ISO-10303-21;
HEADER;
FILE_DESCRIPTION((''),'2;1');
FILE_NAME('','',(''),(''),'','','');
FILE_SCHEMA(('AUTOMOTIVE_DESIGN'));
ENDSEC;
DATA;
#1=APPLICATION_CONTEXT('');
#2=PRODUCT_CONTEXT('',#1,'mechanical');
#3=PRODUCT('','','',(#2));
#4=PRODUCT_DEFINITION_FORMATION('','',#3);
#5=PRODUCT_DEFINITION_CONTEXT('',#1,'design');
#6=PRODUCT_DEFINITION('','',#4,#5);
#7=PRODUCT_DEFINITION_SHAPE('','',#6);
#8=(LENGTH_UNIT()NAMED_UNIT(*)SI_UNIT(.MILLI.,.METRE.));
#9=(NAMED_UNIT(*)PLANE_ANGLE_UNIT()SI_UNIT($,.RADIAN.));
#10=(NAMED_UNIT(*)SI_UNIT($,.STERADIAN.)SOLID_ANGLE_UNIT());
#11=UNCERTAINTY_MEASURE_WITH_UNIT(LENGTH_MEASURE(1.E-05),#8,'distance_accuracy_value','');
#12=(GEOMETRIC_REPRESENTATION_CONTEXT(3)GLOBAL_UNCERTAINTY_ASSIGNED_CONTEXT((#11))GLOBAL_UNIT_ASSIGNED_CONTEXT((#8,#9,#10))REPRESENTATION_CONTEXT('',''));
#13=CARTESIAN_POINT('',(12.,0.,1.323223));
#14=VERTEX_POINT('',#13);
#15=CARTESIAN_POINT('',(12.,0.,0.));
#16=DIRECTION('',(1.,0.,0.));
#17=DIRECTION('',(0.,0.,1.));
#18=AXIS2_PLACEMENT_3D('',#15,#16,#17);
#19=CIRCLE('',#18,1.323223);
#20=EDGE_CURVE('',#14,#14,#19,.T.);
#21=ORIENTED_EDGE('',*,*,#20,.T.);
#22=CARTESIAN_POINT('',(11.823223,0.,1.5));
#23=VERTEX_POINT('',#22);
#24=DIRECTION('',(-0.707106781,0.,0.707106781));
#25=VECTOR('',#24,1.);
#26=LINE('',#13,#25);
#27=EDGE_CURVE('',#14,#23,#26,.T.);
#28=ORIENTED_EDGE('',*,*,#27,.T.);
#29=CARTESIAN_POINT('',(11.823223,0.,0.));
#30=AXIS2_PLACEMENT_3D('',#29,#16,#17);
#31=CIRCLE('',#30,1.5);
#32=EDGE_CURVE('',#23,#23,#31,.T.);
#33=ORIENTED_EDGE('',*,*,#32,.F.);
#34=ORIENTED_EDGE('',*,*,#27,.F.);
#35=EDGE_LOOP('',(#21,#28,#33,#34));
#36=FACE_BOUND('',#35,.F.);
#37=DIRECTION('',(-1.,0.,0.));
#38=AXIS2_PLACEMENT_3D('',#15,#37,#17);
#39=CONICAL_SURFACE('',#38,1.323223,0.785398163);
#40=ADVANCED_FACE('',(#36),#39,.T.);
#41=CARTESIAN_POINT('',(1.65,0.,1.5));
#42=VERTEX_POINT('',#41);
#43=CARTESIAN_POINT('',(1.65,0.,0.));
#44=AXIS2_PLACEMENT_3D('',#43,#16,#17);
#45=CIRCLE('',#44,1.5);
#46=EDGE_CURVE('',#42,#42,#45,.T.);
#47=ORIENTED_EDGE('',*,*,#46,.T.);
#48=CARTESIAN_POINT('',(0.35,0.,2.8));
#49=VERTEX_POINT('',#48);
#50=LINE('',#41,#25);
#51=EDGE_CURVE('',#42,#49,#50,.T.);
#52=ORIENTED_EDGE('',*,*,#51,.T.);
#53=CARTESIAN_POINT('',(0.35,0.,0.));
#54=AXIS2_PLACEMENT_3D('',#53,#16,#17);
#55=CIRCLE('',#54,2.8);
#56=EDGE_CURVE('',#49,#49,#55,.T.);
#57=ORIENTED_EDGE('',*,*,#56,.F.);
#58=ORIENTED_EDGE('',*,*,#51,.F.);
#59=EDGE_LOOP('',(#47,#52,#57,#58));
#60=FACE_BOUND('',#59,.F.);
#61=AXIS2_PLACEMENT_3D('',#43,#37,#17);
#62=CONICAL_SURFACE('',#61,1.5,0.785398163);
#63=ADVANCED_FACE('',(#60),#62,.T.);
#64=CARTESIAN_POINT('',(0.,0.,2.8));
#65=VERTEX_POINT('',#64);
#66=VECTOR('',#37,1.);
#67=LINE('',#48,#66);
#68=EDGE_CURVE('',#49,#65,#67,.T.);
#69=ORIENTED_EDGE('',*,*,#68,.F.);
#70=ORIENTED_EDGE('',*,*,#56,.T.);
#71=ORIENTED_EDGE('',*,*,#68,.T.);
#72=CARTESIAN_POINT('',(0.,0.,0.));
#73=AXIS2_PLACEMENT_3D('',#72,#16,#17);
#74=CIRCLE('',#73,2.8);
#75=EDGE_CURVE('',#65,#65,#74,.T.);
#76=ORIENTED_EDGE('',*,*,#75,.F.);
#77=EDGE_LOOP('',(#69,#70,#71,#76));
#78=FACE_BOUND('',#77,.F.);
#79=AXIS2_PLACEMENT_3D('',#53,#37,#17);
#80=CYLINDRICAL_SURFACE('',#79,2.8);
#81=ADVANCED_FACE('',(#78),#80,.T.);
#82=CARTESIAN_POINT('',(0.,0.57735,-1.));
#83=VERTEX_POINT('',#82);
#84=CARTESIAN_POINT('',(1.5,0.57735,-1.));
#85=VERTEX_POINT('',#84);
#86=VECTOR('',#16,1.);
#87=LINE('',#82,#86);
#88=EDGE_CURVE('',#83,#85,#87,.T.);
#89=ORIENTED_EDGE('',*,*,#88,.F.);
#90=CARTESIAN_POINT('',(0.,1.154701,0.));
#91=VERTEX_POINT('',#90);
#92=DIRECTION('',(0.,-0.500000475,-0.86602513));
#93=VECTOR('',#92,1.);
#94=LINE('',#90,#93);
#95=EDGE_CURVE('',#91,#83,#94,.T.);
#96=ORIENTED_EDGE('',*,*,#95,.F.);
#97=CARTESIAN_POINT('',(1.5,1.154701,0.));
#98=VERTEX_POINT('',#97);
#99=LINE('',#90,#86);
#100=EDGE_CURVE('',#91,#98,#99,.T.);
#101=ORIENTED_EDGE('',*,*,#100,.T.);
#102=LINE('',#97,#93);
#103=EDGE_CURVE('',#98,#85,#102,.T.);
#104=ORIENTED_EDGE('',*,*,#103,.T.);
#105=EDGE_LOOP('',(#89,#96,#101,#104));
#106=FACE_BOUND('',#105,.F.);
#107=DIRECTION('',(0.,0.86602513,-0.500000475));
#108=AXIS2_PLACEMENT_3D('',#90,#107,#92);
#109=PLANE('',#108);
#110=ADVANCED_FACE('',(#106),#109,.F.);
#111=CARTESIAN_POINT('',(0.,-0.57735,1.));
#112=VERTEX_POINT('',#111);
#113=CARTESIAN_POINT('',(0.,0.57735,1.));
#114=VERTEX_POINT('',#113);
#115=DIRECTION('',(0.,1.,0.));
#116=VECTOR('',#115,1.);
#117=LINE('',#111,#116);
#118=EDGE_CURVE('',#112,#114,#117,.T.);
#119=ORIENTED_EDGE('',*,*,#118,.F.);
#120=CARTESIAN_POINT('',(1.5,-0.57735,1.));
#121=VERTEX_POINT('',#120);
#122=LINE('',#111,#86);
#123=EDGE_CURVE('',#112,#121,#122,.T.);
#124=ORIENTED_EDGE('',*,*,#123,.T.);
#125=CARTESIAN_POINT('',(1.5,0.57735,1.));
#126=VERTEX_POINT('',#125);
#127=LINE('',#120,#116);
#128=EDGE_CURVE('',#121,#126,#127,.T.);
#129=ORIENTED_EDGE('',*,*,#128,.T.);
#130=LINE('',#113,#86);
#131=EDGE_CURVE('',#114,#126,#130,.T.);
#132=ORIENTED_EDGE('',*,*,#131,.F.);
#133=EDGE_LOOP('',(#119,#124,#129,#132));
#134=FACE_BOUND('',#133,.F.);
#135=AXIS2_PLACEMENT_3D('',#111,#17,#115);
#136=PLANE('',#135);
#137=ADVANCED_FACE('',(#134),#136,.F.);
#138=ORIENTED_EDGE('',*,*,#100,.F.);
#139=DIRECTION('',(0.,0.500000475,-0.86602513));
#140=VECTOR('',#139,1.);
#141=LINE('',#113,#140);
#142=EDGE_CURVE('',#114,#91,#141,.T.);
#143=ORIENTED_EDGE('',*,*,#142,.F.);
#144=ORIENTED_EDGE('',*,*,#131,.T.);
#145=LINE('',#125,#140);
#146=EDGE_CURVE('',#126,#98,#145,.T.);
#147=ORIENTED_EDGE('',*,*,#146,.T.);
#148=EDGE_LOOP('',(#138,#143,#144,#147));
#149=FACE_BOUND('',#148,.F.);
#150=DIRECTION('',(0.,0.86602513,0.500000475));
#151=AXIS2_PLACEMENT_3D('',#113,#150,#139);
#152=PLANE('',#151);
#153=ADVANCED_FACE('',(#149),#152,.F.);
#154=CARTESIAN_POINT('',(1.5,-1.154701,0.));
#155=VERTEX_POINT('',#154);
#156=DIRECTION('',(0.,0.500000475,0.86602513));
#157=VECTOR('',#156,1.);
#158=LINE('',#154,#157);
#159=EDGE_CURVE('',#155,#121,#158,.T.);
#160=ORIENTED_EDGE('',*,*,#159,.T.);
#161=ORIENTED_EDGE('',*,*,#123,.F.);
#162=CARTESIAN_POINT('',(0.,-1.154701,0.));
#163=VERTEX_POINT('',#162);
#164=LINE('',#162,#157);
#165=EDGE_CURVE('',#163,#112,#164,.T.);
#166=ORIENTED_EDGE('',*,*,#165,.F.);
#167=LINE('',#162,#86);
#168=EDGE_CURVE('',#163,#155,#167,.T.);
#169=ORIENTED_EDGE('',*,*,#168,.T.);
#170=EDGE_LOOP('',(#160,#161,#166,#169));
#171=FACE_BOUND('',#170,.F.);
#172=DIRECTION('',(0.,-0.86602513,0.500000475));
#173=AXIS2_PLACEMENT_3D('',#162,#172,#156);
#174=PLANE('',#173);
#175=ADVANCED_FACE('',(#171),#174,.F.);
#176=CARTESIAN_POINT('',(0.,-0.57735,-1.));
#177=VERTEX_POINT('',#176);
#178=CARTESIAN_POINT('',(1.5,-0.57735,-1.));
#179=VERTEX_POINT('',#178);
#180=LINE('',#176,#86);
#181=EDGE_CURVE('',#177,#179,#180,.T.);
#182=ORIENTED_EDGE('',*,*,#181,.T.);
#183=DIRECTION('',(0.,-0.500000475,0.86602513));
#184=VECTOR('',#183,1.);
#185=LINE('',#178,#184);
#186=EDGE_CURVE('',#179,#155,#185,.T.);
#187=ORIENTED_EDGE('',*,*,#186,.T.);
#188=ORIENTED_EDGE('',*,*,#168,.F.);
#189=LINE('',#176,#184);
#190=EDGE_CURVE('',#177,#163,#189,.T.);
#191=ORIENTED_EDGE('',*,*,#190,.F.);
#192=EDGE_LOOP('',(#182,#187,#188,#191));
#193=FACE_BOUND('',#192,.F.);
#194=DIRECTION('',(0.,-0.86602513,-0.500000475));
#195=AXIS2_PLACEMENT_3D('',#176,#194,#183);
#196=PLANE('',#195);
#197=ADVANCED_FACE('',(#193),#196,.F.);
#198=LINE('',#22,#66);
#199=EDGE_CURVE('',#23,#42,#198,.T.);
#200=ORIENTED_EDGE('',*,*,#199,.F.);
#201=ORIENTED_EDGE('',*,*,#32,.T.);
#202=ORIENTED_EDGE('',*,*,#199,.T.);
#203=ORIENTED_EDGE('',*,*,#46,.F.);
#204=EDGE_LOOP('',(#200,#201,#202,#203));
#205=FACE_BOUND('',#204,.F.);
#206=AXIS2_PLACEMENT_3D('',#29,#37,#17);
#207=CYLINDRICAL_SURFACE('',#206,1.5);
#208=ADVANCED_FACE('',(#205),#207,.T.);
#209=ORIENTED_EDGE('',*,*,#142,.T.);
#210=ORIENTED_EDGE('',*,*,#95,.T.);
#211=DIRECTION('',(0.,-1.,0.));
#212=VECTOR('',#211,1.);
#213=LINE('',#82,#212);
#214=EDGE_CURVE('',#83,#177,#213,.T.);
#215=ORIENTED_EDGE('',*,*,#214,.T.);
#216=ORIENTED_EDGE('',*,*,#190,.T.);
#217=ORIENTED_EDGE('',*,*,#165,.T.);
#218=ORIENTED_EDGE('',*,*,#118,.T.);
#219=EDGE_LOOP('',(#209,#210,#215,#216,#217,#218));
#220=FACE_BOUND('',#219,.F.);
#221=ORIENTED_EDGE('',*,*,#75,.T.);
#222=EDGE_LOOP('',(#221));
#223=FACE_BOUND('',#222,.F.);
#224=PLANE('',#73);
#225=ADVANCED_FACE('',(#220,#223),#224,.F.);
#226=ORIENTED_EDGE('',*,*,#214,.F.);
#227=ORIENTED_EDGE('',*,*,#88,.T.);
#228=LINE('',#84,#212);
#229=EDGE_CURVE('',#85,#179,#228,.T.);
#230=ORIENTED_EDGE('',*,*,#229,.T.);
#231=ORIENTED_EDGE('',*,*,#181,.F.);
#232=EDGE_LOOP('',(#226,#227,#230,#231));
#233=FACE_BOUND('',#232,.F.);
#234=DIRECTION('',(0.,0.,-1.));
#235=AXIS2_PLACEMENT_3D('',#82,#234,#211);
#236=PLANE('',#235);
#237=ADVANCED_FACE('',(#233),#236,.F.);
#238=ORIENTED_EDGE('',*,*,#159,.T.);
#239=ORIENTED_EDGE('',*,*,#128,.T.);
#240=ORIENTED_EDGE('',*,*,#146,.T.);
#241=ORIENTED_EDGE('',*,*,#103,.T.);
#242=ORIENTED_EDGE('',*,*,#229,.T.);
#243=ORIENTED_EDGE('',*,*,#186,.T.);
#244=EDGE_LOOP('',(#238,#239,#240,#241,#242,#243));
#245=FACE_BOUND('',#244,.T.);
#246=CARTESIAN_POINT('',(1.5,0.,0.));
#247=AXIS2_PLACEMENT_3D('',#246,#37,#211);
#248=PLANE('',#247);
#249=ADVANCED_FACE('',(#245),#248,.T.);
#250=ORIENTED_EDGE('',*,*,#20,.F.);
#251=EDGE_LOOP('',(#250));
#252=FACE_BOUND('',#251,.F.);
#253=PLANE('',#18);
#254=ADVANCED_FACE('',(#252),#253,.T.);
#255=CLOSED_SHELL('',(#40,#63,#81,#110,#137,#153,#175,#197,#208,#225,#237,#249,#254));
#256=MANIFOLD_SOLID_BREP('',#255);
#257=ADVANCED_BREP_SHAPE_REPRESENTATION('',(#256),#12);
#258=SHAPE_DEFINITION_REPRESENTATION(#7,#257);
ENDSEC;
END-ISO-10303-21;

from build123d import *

# Parameters (mm, degrees)
F3_DEPTH = 1.5


with BuildPart() as f1:
    # F0 (on Front) → F1 (revolve)
    with BuildSketch(Plane.XZ):
        Polygon((0, 2.8), (0, 0), (12, 0), (12, 1.323223), (11.823223, 1.5), (1.65, 1.5), (0.35, 2.8), align=None)
    revolve(axis=Axis((6, 0, 0), (1, 0, 0)))

    # F2 (on face) → F3 (cut)
    with BuildSketch(Plane(origin=(0, 0, 0), x_dir=(0, -1, 0), z_dir=(-1, 0, 0))):
        Polygon((1.154701, 0), (0.57735, 1), (-0.57735, 1), (-1.154701, 0), (-0.57735, -1), (0.57735, -1), align=None)
    extrude(amount=-F3_DEPTH, mode=Mode.SUBTRACT)


solid = f1.part
